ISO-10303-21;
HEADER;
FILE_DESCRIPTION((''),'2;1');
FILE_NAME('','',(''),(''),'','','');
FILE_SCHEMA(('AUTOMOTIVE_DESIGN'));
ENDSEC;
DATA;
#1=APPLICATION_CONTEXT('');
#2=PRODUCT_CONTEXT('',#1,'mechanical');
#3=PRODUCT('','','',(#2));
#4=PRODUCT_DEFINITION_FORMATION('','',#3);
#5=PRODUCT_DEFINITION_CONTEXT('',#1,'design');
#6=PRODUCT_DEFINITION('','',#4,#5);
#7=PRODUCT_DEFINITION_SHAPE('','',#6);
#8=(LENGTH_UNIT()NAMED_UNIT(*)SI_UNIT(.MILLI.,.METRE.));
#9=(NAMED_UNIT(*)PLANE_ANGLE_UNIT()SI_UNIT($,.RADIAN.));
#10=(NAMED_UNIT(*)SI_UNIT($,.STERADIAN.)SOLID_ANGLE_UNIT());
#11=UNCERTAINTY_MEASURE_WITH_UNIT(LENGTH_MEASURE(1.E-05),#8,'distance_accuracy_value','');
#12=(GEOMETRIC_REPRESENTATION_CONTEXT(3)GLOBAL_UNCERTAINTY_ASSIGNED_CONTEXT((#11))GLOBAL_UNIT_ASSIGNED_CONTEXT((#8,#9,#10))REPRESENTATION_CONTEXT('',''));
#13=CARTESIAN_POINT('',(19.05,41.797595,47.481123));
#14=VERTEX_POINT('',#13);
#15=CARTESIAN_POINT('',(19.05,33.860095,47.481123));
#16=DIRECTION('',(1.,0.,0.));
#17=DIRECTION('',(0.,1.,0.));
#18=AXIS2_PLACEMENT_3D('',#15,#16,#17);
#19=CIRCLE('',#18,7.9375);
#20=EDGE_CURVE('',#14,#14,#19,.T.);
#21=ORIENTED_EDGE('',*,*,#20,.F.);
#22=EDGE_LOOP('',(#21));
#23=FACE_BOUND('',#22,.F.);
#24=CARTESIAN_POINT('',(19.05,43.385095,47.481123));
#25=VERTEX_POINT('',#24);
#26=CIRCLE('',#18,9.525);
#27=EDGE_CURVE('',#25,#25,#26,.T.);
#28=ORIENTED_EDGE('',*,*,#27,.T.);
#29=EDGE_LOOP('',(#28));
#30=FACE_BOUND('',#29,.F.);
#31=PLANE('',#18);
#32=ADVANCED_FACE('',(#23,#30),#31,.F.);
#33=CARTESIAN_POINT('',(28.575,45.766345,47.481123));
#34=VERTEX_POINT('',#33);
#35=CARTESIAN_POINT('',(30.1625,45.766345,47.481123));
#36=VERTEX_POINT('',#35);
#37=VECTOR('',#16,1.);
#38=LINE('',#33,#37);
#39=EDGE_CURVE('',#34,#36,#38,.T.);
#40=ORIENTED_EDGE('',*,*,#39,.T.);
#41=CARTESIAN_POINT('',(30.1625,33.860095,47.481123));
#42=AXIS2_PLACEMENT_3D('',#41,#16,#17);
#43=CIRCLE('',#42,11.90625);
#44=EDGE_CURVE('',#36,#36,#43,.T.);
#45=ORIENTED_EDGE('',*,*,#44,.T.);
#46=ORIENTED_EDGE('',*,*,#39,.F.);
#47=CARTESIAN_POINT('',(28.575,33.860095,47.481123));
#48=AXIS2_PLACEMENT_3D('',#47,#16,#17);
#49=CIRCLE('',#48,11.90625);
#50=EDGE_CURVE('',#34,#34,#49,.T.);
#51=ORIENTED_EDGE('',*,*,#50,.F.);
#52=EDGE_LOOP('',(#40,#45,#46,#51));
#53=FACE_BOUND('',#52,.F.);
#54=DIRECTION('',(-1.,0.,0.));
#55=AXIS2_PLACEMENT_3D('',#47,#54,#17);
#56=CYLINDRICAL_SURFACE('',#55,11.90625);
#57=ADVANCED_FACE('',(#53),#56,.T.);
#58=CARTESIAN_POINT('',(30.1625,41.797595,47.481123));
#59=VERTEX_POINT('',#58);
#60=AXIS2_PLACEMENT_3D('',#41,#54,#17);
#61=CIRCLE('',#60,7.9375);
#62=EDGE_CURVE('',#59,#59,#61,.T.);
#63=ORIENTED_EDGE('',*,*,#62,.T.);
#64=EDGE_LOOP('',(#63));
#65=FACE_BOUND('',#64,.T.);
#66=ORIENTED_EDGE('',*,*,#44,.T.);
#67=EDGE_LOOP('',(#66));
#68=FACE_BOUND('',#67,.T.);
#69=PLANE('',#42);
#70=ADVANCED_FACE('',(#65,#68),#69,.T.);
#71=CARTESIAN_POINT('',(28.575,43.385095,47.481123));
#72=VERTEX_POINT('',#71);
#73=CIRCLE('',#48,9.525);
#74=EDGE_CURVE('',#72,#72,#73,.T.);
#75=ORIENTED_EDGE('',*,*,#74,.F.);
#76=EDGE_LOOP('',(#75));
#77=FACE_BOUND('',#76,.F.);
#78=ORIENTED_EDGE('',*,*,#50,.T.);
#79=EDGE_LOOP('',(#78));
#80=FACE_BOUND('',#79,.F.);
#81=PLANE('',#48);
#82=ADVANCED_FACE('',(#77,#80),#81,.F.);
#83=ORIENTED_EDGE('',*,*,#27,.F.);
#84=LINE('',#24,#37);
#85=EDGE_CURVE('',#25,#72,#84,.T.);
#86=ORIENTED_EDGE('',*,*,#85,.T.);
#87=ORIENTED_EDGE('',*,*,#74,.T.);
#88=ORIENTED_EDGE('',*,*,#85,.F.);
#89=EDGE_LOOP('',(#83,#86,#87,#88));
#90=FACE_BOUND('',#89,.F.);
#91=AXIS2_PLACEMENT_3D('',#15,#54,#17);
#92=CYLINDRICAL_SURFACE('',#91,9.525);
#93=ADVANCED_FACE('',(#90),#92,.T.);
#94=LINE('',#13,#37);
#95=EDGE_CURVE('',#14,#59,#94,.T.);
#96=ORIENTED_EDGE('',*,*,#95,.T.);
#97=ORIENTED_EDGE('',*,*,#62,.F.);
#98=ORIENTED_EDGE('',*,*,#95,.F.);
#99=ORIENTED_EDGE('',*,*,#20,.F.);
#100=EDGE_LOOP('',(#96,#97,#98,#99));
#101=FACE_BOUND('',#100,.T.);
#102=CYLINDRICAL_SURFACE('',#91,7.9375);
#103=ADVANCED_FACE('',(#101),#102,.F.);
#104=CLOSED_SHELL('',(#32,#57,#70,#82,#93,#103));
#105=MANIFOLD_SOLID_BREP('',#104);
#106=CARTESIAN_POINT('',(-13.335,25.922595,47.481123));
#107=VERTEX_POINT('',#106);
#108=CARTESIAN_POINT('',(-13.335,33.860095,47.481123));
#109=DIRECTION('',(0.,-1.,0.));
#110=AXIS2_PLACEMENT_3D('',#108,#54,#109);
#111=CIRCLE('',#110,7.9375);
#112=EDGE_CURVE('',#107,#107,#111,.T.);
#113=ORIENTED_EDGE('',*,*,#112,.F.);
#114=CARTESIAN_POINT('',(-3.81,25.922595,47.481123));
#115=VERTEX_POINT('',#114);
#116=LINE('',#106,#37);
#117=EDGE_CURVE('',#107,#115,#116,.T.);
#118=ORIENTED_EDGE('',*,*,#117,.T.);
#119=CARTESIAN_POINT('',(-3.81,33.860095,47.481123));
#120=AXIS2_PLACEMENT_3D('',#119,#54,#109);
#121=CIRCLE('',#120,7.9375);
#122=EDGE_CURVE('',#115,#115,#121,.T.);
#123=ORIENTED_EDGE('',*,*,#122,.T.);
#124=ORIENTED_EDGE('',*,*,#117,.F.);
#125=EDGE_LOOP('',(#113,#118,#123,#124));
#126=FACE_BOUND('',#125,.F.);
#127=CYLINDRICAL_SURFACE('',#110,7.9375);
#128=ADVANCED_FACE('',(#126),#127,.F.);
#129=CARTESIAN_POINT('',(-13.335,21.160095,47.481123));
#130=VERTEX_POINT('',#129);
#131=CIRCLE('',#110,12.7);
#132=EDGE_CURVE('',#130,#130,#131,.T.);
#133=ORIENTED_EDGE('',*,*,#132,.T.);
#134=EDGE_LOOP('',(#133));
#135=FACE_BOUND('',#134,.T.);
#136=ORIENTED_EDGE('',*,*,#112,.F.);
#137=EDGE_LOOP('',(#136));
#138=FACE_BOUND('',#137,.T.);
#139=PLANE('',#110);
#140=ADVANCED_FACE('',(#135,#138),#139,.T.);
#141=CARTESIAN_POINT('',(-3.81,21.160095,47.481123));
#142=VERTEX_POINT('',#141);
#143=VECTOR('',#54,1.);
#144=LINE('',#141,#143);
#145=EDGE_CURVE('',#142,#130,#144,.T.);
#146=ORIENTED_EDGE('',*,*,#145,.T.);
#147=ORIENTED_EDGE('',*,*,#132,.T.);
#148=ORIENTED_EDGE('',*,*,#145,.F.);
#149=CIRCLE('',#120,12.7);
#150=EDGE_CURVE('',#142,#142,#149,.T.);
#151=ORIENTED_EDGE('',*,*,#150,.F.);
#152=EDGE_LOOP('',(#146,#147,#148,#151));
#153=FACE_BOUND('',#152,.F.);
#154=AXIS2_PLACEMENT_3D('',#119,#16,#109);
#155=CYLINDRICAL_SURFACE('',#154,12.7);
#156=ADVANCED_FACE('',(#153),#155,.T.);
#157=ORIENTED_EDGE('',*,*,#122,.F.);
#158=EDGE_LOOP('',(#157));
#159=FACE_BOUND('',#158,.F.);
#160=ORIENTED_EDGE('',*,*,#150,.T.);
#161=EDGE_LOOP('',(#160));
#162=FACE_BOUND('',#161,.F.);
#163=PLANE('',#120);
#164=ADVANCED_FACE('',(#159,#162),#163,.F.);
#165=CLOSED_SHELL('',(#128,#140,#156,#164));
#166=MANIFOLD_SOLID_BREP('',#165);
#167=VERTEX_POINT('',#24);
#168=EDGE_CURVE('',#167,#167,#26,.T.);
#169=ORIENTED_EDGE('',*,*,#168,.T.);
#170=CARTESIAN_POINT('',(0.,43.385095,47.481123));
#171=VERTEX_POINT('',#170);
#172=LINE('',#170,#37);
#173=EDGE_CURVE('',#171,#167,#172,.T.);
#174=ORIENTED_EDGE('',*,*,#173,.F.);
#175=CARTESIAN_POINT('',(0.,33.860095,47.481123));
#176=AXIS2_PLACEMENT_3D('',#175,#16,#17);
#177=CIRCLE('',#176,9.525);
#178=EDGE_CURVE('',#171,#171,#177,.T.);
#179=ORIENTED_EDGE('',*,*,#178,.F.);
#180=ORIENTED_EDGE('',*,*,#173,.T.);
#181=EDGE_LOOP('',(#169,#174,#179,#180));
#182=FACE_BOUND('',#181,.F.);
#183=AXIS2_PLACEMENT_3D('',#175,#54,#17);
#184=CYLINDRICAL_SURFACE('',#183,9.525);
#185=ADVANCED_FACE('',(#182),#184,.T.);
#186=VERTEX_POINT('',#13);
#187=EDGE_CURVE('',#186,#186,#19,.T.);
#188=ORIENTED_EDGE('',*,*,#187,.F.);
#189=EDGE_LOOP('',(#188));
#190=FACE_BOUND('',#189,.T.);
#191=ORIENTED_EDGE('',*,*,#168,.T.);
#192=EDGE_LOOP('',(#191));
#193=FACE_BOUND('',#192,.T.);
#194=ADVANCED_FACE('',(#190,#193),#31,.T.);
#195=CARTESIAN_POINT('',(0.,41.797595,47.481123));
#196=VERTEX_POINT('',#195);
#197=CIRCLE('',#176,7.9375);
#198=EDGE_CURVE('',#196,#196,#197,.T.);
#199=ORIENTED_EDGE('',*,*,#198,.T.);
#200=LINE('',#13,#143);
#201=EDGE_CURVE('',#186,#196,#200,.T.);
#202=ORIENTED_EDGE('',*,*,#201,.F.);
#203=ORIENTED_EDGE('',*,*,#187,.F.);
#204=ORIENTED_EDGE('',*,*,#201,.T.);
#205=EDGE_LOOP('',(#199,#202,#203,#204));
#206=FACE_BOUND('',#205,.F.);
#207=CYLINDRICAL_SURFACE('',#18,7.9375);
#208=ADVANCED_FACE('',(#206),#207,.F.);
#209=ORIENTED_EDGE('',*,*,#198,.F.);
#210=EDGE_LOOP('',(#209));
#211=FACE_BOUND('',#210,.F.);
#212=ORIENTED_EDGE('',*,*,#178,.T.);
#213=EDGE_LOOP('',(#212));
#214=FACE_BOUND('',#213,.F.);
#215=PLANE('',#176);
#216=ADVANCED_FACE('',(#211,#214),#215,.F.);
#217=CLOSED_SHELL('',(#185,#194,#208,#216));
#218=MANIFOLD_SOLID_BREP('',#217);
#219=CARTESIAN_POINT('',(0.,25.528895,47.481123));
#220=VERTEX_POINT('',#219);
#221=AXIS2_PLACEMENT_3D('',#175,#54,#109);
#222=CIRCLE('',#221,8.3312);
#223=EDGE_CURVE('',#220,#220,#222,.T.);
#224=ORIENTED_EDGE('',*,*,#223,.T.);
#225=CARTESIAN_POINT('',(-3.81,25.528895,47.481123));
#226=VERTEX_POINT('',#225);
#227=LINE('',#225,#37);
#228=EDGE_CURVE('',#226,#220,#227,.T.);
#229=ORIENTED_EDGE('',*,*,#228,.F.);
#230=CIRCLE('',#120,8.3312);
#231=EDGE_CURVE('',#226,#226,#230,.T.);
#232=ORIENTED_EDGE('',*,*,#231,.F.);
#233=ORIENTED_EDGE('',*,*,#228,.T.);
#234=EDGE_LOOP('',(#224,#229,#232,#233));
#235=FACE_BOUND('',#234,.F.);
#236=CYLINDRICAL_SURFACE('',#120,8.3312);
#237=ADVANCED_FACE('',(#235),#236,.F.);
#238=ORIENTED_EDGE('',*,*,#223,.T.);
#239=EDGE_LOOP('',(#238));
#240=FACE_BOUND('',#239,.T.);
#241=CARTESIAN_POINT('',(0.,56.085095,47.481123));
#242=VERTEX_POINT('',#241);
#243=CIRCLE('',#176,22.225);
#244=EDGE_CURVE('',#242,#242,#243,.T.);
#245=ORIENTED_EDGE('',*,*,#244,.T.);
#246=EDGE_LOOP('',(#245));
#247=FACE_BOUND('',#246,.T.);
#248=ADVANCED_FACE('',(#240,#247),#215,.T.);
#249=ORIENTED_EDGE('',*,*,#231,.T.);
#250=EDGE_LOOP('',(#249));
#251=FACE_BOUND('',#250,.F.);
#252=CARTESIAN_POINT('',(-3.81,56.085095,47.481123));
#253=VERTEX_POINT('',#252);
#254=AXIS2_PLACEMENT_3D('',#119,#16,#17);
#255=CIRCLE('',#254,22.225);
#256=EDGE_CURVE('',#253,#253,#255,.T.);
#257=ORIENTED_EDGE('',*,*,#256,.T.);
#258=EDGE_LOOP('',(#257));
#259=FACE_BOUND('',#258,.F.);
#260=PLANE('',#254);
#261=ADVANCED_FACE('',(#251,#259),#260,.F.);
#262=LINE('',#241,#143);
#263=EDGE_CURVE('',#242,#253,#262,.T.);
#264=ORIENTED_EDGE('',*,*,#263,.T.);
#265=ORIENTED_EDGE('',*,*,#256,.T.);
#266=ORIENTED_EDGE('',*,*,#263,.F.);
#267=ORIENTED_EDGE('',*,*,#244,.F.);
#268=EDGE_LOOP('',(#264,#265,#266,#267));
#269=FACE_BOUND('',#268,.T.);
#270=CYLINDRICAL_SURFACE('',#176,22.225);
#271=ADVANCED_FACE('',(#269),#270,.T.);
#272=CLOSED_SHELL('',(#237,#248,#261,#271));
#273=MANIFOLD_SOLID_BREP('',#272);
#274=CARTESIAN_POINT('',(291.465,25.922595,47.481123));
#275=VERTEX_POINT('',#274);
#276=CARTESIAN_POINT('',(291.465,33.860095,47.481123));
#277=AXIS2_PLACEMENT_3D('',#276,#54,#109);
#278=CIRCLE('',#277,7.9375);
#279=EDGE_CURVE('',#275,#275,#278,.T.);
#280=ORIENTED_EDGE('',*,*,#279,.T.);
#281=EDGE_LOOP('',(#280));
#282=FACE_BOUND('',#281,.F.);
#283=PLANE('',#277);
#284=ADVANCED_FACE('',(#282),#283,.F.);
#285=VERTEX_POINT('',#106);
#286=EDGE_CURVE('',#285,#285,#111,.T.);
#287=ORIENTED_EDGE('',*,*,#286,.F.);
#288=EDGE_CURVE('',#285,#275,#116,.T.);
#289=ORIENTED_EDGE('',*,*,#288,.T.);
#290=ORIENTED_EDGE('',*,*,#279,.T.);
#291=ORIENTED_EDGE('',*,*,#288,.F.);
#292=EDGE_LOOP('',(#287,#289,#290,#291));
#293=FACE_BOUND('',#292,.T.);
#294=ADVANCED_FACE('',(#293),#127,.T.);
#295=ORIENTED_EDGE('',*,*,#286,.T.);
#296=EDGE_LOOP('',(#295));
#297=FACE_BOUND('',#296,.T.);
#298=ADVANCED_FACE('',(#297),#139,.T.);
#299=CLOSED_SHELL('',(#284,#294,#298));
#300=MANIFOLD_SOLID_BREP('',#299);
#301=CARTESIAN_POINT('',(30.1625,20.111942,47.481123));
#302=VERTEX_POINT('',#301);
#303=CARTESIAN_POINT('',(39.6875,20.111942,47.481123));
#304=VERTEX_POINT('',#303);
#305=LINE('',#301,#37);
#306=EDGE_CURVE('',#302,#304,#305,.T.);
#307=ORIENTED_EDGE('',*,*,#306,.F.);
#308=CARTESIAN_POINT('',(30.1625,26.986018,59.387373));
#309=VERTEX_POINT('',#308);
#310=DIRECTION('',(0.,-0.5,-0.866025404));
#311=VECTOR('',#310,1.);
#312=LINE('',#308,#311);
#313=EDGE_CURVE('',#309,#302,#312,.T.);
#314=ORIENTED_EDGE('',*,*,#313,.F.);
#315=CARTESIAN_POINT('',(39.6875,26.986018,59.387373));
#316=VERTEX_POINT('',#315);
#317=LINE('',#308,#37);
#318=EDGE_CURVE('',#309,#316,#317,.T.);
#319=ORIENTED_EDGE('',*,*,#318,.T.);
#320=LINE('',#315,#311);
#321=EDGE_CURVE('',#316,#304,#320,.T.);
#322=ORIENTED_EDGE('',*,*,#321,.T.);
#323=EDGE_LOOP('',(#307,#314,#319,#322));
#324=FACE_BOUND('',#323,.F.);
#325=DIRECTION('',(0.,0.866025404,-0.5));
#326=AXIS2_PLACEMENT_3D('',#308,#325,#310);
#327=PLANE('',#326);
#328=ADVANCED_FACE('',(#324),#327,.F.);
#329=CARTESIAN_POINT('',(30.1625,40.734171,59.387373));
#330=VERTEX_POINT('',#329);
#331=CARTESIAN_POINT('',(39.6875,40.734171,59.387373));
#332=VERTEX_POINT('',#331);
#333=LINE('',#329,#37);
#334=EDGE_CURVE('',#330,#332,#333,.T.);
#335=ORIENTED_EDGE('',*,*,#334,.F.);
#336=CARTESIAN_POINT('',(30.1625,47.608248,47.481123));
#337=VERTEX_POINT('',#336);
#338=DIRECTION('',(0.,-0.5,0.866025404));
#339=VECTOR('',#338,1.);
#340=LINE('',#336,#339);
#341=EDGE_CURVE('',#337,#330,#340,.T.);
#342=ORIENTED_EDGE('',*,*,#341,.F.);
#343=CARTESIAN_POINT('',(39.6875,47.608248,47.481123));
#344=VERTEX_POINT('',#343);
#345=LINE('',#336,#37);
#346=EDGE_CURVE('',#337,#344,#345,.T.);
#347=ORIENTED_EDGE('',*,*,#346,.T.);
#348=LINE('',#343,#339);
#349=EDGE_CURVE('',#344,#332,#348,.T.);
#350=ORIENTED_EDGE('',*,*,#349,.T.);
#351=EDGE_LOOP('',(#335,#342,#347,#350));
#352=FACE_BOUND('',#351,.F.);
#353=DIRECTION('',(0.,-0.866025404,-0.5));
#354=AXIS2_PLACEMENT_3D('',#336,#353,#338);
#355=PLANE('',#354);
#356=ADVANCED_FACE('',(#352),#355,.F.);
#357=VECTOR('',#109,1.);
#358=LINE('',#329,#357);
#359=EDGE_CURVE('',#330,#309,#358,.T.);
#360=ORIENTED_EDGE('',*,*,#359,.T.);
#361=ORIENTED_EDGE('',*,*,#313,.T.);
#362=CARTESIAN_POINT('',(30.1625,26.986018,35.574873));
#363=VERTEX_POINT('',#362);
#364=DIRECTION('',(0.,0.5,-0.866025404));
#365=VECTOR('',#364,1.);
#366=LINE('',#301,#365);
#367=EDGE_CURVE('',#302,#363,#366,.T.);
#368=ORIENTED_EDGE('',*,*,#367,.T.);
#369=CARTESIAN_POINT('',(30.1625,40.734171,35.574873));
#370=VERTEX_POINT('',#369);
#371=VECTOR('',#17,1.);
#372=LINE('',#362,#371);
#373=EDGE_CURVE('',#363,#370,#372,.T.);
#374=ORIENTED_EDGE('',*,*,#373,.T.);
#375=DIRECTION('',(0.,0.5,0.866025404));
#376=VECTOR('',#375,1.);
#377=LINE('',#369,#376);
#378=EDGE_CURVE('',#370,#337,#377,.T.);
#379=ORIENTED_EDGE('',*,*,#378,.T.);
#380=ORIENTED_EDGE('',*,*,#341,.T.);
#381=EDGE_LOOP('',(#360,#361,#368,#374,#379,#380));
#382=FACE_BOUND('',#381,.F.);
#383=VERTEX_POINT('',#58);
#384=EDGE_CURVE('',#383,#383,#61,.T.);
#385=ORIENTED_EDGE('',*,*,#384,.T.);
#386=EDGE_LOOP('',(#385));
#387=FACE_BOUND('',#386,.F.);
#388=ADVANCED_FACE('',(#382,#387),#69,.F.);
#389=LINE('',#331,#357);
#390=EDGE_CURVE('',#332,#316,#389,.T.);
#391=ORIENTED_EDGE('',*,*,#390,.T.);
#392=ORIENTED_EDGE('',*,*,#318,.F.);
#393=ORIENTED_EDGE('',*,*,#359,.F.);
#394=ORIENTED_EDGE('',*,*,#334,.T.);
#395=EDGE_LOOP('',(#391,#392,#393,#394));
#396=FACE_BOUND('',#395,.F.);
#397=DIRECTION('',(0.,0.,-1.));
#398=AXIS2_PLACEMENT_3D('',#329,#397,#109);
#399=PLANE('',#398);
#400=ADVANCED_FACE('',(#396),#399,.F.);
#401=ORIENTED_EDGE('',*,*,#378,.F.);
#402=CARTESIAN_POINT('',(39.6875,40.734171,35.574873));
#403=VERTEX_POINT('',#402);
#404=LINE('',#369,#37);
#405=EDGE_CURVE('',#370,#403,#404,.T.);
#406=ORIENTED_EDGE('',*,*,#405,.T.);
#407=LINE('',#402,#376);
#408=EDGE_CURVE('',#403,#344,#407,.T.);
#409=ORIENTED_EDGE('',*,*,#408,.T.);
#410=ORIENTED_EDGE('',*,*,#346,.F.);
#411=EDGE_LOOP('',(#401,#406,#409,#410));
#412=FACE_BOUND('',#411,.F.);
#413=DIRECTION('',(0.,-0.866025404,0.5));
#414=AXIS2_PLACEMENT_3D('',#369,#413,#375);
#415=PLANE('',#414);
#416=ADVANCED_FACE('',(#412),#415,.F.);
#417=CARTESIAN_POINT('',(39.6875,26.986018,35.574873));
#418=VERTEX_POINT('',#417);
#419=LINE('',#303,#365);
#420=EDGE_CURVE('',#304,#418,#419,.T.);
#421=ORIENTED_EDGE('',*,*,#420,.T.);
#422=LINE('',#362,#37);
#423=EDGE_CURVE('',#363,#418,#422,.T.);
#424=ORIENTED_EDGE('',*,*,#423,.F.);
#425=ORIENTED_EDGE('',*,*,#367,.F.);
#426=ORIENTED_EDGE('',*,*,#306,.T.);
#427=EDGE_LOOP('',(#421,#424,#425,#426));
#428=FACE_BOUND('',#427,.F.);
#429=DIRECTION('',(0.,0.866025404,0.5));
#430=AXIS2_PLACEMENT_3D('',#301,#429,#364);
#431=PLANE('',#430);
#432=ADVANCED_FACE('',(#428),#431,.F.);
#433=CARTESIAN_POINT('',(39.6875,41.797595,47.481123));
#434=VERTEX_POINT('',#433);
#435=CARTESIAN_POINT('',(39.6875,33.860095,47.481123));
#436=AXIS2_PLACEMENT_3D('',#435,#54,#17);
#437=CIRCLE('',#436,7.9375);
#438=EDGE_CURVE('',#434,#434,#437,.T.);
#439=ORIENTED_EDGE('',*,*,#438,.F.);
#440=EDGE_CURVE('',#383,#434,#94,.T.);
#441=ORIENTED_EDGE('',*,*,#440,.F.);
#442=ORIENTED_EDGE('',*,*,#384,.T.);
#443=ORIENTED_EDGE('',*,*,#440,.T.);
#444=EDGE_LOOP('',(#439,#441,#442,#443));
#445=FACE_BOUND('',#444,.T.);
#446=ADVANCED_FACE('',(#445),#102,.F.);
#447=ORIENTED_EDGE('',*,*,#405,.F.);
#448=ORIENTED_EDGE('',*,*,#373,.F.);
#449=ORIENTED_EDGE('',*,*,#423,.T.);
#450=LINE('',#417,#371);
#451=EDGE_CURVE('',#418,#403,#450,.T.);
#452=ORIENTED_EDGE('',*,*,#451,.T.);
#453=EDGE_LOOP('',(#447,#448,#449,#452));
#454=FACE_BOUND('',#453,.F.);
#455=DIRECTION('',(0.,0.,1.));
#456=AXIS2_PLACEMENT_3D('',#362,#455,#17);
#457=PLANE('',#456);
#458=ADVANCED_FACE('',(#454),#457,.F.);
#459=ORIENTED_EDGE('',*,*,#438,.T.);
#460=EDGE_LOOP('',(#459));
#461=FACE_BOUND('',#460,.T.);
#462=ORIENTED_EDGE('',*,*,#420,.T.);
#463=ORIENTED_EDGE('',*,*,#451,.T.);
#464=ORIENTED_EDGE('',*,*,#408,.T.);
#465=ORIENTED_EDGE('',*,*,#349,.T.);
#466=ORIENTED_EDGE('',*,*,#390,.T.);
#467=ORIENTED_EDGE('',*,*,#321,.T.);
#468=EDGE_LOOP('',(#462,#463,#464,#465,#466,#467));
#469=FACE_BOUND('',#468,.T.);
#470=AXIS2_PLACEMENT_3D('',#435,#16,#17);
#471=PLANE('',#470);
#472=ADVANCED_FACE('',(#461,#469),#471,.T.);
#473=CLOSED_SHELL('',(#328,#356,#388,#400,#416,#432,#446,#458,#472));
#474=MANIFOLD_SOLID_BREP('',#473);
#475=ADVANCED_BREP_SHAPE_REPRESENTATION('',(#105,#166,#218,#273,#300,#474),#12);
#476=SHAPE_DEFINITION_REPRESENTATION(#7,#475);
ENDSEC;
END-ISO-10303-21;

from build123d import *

# Parameters (mm, degrees)
F0_R           = 9.525
F1_DEPTH       = 19.05
F2_R           = 9.525
F3_DEPTH       = 9.525
F5_R           = 11.90625
F6_DEPTH       = 1.5875
F8_DEPTH       = 9.525
F9_R           = 7.9375
F10_DEPTH      = 19.051
F10_DEPTH_BACK = 20.6385
F11_R          = 22.225
F12_DEPTH      = 3.81
F13_R          = 8.3312
F14_DEPTH      = 3.81
F15_R          = 12.7
F16_DEPTH      = 9.525
F17_R          = 7.9375
F18_DEPTH      = 53.0235
F19_R          = 7.9375
F20_DEPTH      = 304.8


with BuildPart() as f1:
    # F0 (on Right) → F1 (new body)
    with BuildSketch(Plane.YZ):
        with Locations((33.8600948453, 47.481123358)):
            Circle(F0_R)
    extrude(amount=F1_DEPTH)


with BuildPart() as f3:
    # F2 (on face) → F3 (new body)
    with BuildSketch(Plane.YZ.offset(19.05)):
        with Locations((33.8600948453, 47.481123358)):
            Circle(F2_R)
    extrude(amount=F3_DEPTH)

    # F5 (on offset) → F6 (join)
    with BuildSketch(Plane.YZ.offset(28.575)):
        with Locations((33.8600948453, 47.481123358)):
            Circle(F5_R)
    extrude(amount=F6_DEPTH)


with BuildPart() as f8:
    # F7 (on face) → F8 (new body)
    with BuildSketch(Plane.YZ.offset(30.1625)):
        Polygon((40.7341714878, 59.387373358), (33.8600948453, 59.387373358), (26.9860182028, 59.387373358), (23.5489798815, 53.434248358), (20.1119415602, 47.481123358), (23.5489798815, 41.527998358), (26.9860182028, 35.574873358), (33.8600948453, 35.574873358), (40.7341714878, 35.574873358), (44.1712098091, 41.527998358), (47.6082481304, 47.481123358), (44.1712098091, 53.434248358), align=None)
    extrude(amount=F8_DEPTH)


with BuildPart() as f10_tool:
    # F9 (on face) → F10 (new body, two sides)
    with BuildSketch(Plane.YZ.offset(19.05)) as f10_sk:
        with Locations((33.8600948453, 47.481123358)):
            Circle(F9_R)
    extrude(amount=-F10_DEPTH)
    extrude(f10_sk.sketch, amount=F10_DEPTH_BACK)


with BuildPart() as f1_1:
    add(f1.part)

    # F10: cut by f10_tool
    add(f10_tool.part, mode=Mode.SUBTRACT)


with BuildPart() as f3_1:
    add(f3.part)

    # F10: cut by f10_tool
    add(f10_tool.part, mode=Mode.SUBTRACT)


with BuildPart() as f8_1:
    add(f8.part)

    # F10: cut by f10_tool
    add(f10_tool.part, mode=Mode.SUBTRACT)


with BuildPart() as f12:
    # F11 (on Right) → F12 (new body)
    with BuildSketch(Plane.YZ):
        with Locations((33.8600948453, 47.481123358)):
            Circle(F11_R)
    extrude(amount=-F12_DEPTH)

    # F13 (on face) → F14 (cut, through all)
    with BuildSketch(Plane(origin=(-3.81, 0, 0), x_dir=(0, -1, 0), z_dir=(-1, 0, 0))):
        with Locations((-33.8600948453, 47.481123358)):
            Circle(F13_R)
    extrude(amount=-F14_DEPTH, mode=Mode.SUBTRACT)


with BuildPart() as f16:
    # F15 (on face) → F16 (new body)
    with BuildSketch(Plane(origin=(-3.81, 0, 0), x_dir=(0, -1, 0), z_dir=(-1, 0, 0))):
        with Locations((-33.8600948453, 47.481123358)):
            Circle(F15_R)
    extrude(amount=F16_DEPTH)

    # F17 (on face) → F18 (cut, through all)
    with BuildSketch(Plane(origin=(-13.335, 0, 0), x_dir=(0, -1, 0), z_dir=(-1, 0, 0))):
        with Locations((-33.8600948453, 47.481123358)):
            Circle(F17_R)
    extrude(amount=-F18_DEPTH, mode=Mode.SUBTRACT)


with BuildPart() as f20:
    # F19 (on face) → F20 (new body)
    with BuildSketch(Plane(origin=(-13.335, 0, 0), x_dir=(0, -1, 0), z_dir=(-1, 0, 0))):
        with Locations((-33.8600948453, 47.481123358)):
            Circle(F19_R)
    extrude(amount=-F20_DEPTH)


solid = Compound([f1_1.part, f3_1.part, f8_1.part, f12.part, f16.part, f20.part])
